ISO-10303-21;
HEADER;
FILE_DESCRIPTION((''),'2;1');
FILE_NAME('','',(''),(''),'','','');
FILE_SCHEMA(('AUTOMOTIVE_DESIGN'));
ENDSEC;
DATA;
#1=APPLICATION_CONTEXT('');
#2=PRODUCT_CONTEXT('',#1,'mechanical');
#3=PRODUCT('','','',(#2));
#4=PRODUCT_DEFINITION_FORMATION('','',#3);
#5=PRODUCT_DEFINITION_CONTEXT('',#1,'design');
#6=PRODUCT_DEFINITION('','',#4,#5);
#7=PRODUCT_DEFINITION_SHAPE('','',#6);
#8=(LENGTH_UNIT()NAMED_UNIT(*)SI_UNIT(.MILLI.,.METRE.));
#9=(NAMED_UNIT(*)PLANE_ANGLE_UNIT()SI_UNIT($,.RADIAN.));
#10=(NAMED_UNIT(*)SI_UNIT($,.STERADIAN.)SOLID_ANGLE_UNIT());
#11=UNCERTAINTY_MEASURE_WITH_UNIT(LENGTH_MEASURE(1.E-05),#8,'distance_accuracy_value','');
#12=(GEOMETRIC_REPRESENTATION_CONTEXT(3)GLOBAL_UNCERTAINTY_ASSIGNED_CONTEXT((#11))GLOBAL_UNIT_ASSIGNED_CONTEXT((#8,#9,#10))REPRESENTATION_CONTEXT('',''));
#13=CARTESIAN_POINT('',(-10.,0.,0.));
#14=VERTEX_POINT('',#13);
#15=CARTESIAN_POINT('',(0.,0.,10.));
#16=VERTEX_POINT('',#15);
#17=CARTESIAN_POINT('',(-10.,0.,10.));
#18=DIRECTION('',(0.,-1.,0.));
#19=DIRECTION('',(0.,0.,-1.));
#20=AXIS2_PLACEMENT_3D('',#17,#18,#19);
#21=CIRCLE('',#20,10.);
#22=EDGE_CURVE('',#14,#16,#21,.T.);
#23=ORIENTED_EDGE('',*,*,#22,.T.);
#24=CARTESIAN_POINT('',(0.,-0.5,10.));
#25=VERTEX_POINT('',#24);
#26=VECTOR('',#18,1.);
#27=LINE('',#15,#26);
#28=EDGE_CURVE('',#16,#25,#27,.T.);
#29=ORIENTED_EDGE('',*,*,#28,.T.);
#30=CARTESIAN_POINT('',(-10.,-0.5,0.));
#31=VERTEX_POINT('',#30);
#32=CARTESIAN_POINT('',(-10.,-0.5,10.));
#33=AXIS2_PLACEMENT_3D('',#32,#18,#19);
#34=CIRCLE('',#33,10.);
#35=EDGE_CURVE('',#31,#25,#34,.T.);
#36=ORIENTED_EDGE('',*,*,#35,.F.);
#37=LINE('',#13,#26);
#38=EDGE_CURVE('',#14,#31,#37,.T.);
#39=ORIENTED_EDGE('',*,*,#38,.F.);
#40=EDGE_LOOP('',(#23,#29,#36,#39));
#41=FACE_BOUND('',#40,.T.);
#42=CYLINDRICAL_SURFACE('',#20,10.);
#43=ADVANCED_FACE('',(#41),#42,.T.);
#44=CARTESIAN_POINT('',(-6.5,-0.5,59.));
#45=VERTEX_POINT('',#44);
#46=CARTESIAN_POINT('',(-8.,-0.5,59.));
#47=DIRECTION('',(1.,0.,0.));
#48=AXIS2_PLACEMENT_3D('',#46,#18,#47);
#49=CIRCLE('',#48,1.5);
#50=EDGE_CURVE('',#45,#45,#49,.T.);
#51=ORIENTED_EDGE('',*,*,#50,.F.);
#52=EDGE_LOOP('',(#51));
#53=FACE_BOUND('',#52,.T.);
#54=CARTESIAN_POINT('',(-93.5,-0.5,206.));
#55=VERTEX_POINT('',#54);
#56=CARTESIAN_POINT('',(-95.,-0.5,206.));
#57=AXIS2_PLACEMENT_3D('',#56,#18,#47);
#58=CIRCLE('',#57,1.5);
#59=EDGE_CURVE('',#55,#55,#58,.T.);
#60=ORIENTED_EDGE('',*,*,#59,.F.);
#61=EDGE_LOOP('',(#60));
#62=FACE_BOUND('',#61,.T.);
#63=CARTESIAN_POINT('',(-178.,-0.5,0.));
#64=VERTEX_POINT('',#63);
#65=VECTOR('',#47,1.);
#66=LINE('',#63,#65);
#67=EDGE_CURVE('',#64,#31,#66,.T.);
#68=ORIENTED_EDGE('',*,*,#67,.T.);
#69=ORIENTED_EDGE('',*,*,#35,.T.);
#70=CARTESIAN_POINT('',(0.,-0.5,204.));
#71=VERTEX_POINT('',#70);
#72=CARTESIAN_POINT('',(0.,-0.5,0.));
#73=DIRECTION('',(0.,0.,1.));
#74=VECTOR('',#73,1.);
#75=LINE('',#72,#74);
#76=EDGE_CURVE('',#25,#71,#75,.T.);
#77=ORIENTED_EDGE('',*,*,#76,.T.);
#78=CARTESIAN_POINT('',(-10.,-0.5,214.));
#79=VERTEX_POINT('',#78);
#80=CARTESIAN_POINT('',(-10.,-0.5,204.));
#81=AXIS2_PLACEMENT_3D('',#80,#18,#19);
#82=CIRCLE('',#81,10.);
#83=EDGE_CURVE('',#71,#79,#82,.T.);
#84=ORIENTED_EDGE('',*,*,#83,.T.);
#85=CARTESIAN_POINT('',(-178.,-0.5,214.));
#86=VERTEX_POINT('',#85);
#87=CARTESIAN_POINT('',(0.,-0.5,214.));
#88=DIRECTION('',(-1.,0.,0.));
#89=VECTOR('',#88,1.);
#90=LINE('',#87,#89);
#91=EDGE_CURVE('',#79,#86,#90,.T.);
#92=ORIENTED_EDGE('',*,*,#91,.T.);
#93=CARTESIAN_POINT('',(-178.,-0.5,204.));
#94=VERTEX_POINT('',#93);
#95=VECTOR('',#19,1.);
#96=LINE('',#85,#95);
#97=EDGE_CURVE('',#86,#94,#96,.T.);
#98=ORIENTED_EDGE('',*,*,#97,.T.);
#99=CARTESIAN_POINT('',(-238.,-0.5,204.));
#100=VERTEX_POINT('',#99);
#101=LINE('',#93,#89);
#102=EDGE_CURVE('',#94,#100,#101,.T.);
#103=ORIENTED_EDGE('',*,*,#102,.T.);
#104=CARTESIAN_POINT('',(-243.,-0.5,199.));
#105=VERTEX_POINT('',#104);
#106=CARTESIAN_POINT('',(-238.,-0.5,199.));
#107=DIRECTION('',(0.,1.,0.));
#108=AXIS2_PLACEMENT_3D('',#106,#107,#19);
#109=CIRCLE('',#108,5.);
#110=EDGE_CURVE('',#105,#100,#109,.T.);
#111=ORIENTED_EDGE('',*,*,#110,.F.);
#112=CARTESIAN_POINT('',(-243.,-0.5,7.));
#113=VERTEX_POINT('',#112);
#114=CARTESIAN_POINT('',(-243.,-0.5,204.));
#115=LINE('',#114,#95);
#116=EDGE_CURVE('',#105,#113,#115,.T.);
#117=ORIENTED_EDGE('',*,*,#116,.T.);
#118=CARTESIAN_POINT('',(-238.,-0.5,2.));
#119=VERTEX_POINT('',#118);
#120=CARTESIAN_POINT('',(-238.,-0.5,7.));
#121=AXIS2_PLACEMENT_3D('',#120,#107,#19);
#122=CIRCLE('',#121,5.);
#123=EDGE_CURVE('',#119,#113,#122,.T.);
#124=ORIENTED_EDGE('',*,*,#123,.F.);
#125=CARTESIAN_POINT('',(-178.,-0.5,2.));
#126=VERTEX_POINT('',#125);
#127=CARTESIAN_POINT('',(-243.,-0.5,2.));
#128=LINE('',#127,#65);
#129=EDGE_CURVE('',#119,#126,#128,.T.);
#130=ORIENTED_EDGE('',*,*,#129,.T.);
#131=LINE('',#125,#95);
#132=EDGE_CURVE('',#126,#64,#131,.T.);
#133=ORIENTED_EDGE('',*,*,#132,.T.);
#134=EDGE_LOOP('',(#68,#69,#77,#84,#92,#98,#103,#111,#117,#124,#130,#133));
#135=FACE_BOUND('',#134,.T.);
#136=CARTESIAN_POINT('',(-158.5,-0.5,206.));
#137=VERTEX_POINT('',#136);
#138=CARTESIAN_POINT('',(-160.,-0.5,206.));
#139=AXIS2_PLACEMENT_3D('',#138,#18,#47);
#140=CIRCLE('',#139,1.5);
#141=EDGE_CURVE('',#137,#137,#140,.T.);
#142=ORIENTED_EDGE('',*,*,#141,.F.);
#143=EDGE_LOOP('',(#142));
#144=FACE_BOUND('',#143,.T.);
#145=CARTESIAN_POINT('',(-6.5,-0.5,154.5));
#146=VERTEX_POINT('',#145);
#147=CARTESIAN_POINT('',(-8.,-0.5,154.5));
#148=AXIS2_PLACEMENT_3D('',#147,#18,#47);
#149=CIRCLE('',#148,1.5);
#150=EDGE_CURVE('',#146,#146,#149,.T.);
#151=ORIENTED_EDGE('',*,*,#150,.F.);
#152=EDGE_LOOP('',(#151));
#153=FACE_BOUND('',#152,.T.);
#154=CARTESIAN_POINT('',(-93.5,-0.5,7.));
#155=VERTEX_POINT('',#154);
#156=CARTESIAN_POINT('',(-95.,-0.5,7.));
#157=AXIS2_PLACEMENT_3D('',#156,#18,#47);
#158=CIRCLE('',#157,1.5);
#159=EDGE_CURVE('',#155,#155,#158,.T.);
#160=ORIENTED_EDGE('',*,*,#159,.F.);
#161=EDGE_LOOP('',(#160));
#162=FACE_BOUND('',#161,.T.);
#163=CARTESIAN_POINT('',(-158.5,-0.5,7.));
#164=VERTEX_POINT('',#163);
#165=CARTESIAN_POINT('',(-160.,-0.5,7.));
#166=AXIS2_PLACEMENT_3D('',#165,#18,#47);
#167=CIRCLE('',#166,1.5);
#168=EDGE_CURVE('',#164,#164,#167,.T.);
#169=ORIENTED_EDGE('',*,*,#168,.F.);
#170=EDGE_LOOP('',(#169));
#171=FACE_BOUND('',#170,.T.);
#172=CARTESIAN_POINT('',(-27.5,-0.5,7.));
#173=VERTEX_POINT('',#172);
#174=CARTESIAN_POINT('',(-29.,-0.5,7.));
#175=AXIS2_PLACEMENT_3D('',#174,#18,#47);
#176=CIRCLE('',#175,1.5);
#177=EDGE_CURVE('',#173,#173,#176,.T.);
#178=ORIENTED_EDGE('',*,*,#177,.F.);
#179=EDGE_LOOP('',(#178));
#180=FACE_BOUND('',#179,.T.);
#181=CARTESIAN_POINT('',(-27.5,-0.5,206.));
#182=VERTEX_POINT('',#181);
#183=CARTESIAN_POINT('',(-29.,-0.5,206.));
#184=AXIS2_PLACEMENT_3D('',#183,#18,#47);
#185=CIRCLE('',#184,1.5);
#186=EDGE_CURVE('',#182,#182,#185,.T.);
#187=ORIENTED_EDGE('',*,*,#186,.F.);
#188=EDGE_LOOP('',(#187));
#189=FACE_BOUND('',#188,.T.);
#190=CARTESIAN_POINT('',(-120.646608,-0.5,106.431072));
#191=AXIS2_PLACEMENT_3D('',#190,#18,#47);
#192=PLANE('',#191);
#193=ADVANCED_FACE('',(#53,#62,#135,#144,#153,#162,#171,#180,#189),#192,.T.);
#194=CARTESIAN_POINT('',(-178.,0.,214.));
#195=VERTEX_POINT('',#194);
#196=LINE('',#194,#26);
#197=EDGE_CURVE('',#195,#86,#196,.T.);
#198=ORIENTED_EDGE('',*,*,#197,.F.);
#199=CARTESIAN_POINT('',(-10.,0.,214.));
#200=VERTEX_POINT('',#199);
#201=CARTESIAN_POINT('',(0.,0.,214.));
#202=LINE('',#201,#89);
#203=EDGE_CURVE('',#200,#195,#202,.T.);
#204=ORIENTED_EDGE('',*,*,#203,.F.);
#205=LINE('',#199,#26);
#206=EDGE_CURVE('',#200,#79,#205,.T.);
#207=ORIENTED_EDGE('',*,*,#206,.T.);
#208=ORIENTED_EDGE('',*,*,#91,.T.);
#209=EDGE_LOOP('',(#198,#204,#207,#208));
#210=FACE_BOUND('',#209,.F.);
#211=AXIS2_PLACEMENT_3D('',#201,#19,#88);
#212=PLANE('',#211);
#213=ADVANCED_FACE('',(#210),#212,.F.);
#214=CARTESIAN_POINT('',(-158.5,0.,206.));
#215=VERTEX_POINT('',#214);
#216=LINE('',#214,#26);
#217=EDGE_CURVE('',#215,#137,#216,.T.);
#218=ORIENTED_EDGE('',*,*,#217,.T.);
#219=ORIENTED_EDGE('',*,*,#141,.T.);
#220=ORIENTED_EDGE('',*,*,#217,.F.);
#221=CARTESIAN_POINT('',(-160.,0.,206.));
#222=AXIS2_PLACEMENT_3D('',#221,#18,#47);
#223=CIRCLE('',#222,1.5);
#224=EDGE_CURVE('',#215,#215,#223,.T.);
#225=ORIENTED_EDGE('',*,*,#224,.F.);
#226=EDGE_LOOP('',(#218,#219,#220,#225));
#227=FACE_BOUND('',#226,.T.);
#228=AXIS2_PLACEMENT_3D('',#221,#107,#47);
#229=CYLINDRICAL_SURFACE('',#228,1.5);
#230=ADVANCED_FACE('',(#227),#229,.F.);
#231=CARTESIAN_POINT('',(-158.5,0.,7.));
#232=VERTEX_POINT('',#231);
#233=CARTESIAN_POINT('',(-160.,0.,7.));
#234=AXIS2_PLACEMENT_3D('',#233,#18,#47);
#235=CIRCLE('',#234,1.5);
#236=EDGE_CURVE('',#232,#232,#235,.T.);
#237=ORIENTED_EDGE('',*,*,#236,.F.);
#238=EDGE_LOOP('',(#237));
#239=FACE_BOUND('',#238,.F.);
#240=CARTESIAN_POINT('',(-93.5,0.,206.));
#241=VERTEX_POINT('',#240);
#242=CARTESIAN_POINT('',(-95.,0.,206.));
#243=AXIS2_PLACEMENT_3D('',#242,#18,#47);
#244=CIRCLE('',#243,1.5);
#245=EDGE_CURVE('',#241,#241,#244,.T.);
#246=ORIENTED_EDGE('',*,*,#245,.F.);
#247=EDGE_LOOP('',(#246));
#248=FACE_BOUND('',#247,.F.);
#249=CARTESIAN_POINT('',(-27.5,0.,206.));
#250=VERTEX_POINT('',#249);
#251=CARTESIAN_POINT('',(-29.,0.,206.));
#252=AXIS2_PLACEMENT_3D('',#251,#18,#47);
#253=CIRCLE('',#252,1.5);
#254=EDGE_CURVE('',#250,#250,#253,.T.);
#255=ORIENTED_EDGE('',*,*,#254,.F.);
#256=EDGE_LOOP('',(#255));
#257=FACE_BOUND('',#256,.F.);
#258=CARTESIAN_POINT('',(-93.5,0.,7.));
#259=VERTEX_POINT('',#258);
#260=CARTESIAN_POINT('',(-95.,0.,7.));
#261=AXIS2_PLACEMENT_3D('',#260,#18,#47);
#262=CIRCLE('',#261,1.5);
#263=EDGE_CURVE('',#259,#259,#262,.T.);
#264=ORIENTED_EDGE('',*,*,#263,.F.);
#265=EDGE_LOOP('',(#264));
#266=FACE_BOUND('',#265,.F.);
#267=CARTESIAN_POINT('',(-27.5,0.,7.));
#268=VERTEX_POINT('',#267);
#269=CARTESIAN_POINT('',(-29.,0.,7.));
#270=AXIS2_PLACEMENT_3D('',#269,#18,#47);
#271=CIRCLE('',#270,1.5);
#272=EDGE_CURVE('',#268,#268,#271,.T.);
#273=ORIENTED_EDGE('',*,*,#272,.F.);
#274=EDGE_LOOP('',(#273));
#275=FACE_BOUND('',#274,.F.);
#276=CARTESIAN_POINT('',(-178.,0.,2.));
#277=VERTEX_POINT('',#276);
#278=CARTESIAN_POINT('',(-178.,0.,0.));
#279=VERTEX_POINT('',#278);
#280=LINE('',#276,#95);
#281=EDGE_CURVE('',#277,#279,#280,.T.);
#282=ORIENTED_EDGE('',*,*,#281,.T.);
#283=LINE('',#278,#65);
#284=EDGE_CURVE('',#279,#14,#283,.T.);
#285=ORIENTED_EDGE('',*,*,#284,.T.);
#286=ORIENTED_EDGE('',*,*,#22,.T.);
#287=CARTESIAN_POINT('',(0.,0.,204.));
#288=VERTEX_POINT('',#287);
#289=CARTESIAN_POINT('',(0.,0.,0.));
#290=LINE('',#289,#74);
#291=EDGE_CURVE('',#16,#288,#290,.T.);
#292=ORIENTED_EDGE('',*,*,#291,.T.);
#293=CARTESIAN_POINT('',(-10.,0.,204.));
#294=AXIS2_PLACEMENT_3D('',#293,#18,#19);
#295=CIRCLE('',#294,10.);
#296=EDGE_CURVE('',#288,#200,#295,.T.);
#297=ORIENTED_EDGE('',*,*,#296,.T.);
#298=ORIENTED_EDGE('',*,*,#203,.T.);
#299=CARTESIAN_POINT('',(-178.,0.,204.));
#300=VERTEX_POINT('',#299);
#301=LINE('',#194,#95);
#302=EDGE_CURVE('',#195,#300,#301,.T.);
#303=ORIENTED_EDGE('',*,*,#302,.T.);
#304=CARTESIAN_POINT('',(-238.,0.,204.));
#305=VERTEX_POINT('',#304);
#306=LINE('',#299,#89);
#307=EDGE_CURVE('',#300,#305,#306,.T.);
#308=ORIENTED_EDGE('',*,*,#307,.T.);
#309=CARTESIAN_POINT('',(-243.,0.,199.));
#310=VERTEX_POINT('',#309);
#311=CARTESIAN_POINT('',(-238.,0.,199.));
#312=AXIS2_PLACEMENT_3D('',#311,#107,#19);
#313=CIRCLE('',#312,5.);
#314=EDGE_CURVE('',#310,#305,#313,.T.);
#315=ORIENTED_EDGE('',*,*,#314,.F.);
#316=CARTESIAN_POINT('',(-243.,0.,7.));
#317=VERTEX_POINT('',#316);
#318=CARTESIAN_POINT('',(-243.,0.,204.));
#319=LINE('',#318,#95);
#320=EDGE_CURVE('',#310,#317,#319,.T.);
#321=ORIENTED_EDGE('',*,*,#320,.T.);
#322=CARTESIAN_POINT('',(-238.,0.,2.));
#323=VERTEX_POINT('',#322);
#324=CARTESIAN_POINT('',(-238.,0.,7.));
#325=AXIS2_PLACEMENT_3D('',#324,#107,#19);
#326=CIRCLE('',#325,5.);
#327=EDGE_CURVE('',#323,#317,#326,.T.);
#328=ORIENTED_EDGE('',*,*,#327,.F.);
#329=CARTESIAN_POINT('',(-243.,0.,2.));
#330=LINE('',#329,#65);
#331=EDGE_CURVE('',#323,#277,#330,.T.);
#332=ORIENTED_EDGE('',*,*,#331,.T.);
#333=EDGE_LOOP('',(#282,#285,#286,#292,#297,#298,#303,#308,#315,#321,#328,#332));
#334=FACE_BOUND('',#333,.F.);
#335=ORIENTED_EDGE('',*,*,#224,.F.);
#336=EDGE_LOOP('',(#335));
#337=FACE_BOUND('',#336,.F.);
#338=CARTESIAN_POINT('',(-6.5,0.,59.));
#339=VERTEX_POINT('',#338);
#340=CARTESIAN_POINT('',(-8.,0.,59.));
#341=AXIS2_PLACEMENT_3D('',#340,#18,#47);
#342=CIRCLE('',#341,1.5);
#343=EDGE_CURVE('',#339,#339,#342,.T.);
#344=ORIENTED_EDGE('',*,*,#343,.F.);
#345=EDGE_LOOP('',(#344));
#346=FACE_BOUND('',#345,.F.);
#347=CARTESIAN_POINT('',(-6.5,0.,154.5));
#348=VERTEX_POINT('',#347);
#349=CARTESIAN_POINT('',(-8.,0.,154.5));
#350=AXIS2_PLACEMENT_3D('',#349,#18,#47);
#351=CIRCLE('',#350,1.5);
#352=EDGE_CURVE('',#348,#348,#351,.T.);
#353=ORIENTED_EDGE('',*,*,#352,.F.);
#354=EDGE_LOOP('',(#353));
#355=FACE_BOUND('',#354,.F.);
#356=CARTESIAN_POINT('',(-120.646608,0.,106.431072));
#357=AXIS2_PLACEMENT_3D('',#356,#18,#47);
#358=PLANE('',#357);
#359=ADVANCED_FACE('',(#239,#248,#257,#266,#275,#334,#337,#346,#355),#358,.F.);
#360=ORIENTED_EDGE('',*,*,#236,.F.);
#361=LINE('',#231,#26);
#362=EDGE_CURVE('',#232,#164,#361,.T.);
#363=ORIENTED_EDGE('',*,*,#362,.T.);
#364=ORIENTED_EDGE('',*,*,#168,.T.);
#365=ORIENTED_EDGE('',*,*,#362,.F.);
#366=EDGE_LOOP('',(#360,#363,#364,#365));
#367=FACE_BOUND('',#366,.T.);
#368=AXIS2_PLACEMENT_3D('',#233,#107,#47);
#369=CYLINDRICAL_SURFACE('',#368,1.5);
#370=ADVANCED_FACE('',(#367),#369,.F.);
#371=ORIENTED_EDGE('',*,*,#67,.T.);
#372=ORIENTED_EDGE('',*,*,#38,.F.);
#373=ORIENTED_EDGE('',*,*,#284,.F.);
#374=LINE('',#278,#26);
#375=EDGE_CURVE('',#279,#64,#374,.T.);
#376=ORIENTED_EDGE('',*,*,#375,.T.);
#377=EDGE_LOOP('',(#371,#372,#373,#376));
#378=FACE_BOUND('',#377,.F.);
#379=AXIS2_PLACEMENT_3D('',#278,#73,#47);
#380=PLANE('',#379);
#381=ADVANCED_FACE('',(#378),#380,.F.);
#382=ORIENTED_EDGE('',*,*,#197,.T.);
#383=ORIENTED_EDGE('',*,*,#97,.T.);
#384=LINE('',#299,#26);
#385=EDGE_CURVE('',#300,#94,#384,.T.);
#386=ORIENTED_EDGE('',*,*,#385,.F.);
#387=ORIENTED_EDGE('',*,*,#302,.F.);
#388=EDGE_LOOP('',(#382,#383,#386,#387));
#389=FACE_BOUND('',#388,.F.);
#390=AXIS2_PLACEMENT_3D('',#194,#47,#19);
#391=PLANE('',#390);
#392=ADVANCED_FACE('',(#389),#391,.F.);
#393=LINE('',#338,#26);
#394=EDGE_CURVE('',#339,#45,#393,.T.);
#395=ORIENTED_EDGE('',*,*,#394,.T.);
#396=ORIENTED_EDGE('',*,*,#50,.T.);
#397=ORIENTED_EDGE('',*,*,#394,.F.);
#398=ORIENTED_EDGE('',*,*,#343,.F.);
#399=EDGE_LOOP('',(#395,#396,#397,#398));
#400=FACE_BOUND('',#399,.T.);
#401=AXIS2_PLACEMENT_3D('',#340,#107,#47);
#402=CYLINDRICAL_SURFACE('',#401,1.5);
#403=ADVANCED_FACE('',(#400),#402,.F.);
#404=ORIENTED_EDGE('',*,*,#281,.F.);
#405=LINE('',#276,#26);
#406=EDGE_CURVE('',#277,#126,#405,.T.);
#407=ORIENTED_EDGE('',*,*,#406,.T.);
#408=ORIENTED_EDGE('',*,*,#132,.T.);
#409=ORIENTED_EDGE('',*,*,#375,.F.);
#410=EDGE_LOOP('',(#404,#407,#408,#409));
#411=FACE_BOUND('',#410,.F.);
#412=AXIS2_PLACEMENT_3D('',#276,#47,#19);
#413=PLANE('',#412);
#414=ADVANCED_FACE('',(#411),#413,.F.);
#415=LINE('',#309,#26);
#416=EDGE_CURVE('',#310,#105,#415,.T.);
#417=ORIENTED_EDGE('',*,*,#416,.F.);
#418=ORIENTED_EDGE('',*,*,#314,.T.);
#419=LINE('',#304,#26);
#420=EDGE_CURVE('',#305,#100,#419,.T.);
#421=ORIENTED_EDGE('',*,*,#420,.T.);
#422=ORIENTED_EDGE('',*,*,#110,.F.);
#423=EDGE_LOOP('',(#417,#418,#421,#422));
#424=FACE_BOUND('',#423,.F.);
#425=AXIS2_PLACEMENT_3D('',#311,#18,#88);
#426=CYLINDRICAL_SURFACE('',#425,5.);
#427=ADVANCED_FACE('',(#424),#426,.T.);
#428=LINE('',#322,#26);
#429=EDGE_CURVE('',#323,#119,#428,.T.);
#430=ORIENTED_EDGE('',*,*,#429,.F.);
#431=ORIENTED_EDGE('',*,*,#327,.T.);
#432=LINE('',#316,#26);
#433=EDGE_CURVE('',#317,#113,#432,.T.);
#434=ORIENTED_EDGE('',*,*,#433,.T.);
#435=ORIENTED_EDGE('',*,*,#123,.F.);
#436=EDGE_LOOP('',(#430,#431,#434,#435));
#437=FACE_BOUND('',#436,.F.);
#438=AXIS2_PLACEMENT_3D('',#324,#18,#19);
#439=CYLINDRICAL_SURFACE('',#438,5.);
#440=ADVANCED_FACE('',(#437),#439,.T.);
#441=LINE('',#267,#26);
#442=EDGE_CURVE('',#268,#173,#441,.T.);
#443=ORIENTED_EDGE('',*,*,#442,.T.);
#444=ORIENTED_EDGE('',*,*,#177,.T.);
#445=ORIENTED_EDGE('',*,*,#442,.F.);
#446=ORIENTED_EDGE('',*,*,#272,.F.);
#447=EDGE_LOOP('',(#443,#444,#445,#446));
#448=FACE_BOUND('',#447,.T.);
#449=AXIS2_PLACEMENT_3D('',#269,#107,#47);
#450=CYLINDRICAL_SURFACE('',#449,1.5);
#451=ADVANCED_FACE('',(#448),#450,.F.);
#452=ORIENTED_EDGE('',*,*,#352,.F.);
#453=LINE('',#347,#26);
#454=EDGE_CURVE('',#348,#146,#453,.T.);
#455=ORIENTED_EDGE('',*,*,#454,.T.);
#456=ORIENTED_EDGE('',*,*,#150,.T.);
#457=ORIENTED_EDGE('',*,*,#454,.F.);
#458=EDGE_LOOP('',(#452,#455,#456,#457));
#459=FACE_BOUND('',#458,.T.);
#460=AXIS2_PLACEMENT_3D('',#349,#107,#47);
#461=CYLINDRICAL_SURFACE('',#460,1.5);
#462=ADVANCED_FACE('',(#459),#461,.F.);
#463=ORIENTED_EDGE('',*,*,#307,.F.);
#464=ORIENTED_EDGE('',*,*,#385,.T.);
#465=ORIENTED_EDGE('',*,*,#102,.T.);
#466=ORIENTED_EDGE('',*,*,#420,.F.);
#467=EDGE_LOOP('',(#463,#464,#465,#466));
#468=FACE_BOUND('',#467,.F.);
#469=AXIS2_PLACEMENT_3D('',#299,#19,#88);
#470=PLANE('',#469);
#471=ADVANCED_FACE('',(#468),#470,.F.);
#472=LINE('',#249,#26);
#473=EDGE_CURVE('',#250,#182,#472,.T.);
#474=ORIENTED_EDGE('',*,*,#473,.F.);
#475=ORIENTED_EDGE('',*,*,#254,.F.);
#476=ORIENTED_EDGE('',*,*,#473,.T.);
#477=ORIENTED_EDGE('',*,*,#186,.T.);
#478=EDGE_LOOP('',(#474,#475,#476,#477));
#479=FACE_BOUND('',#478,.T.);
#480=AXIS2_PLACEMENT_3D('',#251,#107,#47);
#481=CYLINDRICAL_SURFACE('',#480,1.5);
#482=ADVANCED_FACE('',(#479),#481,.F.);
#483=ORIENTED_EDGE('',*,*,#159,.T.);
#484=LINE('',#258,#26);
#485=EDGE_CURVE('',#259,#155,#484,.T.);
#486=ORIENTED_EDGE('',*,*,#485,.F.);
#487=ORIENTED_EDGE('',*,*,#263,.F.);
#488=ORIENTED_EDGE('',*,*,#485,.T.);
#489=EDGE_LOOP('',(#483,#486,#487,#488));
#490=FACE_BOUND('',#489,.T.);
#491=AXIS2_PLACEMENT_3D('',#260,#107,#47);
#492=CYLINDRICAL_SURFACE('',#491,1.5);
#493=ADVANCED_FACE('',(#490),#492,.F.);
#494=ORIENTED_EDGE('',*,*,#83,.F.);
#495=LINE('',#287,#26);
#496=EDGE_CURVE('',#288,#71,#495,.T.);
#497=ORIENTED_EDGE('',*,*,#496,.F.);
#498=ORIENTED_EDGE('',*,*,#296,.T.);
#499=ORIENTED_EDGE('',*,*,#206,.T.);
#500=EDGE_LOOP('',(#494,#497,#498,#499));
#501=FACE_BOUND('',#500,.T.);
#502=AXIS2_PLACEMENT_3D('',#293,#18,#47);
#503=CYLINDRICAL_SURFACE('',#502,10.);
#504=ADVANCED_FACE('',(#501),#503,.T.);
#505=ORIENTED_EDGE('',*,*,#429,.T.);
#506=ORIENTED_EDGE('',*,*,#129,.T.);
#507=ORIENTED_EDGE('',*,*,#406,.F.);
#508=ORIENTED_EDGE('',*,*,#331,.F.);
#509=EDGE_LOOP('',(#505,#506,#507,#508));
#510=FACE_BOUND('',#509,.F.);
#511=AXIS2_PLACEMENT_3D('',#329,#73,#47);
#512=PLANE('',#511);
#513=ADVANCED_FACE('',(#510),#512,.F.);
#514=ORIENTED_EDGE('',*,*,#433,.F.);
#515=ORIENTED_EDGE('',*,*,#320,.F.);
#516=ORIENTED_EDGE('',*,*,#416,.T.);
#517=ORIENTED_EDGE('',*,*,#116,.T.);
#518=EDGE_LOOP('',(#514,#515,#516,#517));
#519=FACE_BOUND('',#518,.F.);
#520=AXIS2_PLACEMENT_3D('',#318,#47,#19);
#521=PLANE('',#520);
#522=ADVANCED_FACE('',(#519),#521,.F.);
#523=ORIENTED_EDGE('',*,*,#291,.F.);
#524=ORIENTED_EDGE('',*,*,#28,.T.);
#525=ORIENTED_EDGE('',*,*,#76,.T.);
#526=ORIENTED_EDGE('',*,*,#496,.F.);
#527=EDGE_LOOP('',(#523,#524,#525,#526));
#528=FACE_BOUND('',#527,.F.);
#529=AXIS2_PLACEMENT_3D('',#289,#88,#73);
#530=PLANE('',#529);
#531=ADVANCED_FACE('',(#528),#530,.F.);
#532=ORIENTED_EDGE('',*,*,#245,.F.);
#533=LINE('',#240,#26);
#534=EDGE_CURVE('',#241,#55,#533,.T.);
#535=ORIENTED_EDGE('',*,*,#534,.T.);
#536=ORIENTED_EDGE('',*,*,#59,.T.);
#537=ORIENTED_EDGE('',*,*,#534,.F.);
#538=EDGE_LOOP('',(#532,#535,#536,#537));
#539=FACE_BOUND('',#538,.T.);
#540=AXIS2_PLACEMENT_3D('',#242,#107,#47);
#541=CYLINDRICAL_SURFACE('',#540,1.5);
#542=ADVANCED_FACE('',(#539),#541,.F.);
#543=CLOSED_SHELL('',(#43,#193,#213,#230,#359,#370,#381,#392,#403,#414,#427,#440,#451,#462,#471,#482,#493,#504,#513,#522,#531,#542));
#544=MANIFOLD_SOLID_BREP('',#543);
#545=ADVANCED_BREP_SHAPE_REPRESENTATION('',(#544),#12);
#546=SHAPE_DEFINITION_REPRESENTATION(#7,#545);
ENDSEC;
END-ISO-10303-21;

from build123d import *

# Parameters (mm, degrees)
F0_R     = 1.5
F1_DEPTH = 0.5
F2_R     = 10
F3_R     = 5


with BuildPart() as f1:
    # F0 (on Front) → F1 (new body)
    with BuildSketch(Plane.XZ):
        Polygon((-178, 0), (0, 0), (0, 214), (-178, 214), (-178, 204), (-243, 204), (-243, 2), (-178, 2), align=None)
        with Locations((-160, 7)):
            Circle(F0_R, mode=Mode.SUBTRACT)
        with Locations((-95, 7)):
            Circle(F0_R, mode=Mode.SUBTRACT)
        with Locations((-29, 7)):
            Circle(F0_R, mode=Mode.SUBTRACT)
        with Locations((-8, 59)):
            Circle(F0_R, mode=Mode.SUBTRACT)
        with Locations((-160, 206)):
            Circle(F0_R, mode=Mode.SUBTRACT)
        with Locations((-8, 154.5)):
            Circle(F0_R, mode=Mode.SUBTRACT)
        with Locations((-95, 206)):
            Circle(F0_R, mode=Mode.SUBTRACT)
        with Locations((-29, 206)):
            Circle(F0_R, mode=Mode.SUBTRACT)
    extrude(amount=F1_DEPTH)

    # F2
    f2_edges = [f1.edges().sort_by_distance(p)[0] for p in [
        (0, -0.25, 214),
        (0, -0.25, 0),
    ]]
    fillet(f2_edges, radius=F2_R)

    # F3
    f3_edges = [f1.edges().sort_by_distance(p)[0] for p in [
        (-243, -0.25, 204),
        (-243, -0.25, 2),
    ]]
    fillet(f3_edges, radius=F3_R)


solid = f1.part
